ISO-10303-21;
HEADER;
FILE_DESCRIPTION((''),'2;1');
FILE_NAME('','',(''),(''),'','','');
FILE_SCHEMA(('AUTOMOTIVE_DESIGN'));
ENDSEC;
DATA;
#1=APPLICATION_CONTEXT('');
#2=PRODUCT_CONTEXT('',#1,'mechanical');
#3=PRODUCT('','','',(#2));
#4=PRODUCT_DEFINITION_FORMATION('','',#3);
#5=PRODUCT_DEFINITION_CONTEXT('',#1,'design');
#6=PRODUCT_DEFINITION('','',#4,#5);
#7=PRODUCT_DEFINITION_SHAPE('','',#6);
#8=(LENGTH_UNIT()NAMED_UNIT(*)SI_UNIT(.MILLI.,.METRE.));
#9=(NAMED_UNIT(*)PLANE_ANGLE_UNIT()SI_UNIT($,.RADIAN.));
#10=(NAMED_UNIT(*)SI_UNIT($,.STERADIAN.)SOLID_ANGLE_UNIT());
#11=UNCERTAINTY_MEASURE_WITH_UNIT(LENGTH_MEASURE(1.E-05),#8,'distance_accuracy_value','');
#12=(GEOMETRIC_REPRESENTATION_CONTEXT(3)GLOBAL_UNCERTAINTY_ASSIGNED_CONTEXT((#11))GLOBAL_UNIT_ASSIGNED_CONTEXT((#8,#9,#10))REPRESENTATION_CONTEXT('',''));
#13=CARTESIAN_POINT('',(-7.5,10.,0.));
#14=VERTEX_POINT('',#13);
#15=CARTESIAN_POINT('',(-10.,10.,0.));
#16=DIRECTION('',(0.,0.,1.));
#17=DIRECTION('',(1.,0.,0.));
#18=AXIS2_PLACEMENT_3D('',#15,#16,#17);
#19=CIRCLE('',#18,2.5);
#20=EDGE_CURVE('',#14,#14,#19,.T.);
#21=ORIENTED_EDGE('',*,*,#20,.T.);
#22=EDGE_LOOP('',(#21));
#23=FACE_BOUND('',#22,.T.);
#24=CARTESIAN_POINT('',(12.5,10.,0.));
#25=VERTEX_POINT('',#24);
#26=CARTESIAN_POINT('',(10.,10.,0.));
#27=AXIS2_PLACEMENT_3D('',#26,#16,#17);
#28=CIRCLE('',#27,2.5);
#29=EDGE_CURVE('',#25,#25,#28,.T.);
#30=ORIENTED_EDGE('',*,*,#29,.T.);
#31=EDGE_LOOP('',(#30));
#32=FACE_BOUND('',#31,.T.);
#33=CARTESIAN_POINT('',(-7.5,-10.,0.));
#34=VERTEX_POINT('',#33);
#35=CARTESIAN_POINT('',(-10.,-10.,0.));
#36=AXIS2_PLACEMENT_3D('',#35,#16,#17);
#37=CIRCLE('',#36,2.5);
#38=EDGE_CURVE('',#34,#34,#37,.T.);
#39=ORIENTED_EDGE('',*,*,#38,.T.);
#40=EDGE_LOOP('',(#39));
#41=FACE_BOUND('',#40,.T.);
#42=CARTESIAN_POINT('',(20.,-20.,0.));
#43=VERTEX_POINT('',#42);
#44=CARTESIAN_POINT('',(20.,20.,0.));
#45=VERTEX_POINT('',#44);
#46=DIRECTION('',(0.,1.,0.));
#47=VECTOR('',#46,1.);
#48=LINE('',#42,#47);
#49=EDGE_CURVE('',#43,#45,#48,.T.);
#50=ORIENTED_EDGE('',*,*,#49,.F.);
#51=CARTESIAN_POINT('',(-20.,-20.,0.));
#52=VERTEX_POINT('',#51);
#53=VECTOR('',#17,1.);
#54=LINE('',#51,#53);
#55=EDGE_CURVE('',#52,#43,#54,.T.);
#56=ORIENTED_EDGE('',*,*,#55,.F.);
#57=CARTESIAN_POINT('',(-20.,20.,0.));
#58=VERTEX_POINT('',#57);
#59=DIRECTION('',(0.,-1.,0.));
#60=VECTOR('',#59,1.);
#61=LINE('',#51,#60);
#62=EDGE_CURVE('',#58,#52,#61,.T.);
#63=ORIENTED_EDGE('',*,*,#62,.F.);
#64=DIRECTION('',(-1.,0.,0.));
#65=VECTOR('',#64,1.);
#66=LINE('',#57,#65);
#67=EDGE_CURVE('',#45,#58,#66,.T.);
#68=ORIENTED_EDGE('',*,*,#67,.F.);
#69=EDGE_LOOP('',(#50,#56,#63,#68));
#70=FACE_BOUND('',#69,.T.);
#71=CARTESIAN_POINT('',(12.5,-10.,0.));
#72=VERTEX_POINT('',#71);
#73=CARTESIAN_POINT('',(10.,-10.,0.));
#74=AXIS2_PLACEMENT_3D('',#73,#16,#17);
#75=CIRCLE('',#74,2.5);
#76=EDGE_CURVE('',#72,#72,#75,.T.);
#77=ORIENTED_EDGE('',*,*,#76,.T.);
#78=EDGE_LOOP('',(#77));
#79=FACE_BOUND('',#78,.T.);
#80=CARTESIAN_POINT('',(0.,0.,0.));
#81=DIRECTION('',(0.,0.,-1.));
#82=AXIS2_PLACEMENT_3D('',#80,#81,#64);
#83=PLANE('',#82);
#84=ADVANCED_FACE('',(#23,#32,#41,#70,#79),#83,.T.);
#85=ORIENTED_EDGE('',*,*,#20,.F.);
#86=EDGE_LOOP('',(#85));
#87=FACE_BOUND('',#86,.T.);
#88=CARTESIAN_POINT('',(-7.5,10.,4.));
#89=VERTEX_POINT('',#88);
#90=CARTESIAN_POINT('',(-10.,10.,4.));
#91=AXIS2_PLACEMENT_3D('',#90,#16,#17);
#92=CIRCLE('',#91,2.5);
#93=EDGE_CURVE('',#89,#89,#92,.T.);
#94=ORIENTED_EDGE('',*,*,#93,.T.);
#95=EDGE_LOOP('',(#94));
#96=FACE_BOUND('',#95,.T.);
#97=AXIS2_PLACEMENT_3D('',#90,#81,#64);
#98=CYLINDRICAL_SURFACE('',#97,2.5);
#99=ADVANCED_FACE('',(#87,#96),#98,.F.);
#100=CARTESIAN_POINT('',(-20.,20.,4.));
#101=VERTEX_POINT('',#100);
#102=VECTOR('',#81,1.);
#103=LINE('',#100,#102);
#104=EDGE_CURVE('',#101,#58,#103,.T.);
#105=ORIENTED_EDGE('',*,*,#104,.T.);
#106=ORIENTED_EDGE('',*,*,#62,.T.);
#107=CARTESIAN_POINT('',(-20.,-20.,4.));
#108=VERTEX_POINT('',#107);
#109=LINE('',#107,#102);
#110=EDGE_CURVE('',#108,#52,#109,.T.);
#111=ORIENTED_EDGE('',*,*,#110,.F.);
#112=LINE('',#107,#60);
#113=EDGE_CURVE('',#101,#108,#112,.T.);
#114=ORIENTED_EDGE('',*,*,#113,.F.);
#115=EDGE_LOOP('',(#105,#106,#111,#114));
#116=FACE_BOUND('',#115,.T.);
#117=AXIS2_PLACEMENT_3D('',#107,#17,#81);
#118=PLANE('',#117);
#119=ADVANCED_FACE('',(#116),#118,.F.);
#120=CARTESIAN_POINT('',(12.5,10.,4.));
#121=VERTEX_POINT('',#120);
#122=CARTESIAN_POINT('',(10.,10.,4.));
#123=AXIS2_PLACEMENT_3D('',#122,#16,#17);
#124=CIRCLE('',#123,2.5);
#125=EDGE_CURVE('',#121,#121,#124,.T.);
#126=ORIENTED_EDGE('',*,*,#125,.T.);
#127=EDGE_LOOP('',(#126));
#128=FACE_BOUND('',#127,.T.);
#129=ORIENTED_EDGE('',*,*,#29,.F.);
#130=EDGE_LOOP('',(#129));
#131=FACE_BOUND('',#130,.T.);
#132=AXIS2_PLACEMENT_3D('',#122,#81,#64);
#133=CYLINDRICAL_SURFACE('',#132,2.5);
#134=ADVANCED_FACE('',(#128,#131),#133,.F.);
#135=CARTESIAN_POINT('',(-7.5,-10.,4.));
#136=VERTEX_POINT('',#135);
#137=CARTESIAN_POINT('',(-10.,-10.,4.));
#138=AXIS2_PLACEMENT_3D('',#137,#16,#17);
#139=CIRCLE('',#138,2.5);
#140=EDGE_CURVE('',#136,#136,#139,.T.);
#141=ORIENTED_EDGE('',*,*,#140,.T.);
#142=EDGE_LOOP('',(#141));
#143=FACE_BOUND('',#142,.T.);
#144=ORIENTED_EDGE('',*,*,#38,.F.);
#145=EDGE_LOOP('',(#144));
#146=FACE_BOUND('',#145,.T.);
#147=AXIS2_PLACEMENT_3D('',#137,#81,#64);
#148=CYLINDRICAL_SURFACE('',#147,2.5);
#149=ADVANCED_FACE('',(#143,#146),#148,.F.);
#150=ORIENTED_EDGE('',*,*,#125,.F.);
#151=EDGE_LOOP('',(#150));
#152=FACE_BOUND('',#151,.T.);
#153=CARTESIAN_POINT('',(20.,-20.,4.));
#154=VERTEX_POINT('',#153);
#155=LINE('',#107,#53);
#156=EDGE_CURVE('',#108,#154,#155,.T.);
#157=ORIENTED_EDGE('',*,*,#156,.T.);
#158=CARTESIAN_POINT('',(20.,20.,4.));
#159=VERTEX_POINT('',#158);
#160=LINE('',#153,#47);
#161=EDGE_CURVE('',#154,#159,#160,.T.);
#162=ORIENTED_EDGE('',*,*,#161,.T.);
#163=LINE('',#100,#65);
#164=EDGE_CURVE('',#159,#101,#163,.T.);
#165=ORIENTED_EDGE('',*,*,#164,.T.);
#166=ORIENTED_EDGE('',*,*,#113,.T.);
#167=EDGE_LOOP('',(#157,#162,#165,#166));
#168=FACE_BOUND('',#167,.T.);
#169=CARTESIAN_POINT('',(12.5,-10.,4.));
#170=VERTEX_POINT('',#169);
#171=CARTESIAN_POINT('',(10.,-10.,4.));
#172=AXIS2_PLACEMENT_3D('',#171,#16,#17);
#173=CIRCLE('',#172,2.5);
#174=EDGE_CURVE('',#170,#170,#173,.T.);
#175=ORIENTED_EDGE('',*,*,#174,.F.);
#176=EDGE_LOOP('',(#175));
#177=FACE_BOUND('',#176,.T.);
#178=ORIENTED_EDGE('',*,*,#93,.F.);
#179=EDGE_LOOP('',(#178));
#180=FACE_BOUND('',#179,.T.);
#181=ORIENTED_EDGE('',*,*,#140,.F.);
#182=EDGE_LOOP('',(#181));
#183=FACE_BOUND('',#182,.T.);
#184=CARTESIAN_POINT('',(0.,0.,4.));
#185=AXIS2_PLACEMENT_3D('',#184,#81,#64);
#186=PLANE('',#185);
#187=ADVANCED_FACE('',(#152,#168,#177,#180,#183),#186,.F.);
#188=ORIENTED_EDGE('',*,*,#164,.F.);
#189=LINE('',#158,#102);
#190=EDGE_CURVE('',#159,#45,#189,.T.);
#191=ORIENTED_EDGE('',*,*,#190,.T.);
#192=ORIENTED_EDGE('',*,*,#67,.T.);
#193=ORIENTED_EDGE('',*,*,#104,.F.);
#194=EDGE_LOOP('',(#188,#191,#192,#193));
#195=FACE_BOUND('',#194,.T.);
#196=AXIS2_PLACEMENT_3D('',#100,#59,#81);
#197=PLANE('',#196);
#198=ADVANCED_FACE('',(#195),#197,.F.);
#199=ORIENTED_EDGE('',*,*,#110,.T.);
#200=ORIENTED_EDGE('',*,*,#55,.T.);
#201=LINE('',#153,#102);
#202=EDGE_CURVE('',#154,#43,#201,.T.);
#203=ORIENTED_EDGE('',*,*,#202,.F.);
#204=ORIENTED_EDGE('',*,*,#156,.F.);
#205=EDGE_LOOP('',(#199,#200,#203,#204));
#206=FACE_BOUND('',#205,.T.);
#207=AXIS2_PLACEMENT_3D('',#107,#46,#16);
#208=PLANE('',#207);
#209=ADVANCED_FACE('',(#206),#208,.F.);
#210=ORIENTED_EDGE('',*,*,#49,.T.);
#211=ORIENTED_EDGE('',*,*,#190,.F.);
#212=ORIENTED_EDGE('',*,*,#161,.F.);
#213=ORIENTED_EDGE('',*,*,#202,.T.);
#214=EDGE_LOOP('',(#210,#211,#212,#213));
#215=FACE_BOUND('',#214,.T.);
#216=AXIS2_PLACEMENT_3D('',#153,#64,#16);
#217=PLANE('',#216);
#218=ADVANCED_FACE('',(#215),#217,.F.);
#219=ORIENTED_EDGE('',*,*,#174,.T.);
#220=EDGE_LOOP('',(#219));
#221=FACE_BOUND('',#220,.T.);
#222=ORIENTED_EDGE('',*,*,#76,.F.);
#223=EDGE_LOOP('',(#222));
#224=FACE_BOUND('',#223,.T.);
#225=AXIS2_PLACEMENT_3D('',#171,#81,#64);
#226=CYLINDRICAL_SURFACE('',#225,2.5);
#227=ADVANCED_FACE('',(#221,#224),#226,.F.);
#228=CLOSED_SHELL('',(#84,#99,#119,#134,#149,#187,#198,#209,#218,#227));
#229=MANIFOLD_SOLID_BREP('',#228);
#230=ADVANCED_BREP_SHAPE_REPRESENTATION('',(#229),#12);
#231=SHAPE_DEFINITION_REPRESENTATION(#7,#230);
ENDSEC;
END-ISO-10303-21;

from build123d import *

# Parameters (mm, degrees)
SKETCH1_W           = 40
SKETCH1_H           = 40
SKETCH1_R           = 2.5
BOSS_EXTRUDE1_DEPTH = 4


with BuildPart() as part:
    # Sketch1 → Boss-Extrude1 (new body)
    with BuildSketch(Plane.XY):
        Rectangle(SKETCH1_W, SKETCH1_H)
        with Locations((-10, 10)):
            Circle(SKETCH1_R, mode=Mode.SUBTRACT)
        with Locations((10, 10)):
            Circle(SKETCH1_R, mode=Mode.SUBTRACT)
        with Locations((10, -10)):
            Circle(SKETCH1_R, mode=Mode.SUBTRACT)
        with Locations((-10, -10)):
            Circle(SKETCH1_R, mode=Mode.SUBTRACT)
    extrude(amount=BOSS_EXTRUDE1_DEPTH)


solid = part.part
